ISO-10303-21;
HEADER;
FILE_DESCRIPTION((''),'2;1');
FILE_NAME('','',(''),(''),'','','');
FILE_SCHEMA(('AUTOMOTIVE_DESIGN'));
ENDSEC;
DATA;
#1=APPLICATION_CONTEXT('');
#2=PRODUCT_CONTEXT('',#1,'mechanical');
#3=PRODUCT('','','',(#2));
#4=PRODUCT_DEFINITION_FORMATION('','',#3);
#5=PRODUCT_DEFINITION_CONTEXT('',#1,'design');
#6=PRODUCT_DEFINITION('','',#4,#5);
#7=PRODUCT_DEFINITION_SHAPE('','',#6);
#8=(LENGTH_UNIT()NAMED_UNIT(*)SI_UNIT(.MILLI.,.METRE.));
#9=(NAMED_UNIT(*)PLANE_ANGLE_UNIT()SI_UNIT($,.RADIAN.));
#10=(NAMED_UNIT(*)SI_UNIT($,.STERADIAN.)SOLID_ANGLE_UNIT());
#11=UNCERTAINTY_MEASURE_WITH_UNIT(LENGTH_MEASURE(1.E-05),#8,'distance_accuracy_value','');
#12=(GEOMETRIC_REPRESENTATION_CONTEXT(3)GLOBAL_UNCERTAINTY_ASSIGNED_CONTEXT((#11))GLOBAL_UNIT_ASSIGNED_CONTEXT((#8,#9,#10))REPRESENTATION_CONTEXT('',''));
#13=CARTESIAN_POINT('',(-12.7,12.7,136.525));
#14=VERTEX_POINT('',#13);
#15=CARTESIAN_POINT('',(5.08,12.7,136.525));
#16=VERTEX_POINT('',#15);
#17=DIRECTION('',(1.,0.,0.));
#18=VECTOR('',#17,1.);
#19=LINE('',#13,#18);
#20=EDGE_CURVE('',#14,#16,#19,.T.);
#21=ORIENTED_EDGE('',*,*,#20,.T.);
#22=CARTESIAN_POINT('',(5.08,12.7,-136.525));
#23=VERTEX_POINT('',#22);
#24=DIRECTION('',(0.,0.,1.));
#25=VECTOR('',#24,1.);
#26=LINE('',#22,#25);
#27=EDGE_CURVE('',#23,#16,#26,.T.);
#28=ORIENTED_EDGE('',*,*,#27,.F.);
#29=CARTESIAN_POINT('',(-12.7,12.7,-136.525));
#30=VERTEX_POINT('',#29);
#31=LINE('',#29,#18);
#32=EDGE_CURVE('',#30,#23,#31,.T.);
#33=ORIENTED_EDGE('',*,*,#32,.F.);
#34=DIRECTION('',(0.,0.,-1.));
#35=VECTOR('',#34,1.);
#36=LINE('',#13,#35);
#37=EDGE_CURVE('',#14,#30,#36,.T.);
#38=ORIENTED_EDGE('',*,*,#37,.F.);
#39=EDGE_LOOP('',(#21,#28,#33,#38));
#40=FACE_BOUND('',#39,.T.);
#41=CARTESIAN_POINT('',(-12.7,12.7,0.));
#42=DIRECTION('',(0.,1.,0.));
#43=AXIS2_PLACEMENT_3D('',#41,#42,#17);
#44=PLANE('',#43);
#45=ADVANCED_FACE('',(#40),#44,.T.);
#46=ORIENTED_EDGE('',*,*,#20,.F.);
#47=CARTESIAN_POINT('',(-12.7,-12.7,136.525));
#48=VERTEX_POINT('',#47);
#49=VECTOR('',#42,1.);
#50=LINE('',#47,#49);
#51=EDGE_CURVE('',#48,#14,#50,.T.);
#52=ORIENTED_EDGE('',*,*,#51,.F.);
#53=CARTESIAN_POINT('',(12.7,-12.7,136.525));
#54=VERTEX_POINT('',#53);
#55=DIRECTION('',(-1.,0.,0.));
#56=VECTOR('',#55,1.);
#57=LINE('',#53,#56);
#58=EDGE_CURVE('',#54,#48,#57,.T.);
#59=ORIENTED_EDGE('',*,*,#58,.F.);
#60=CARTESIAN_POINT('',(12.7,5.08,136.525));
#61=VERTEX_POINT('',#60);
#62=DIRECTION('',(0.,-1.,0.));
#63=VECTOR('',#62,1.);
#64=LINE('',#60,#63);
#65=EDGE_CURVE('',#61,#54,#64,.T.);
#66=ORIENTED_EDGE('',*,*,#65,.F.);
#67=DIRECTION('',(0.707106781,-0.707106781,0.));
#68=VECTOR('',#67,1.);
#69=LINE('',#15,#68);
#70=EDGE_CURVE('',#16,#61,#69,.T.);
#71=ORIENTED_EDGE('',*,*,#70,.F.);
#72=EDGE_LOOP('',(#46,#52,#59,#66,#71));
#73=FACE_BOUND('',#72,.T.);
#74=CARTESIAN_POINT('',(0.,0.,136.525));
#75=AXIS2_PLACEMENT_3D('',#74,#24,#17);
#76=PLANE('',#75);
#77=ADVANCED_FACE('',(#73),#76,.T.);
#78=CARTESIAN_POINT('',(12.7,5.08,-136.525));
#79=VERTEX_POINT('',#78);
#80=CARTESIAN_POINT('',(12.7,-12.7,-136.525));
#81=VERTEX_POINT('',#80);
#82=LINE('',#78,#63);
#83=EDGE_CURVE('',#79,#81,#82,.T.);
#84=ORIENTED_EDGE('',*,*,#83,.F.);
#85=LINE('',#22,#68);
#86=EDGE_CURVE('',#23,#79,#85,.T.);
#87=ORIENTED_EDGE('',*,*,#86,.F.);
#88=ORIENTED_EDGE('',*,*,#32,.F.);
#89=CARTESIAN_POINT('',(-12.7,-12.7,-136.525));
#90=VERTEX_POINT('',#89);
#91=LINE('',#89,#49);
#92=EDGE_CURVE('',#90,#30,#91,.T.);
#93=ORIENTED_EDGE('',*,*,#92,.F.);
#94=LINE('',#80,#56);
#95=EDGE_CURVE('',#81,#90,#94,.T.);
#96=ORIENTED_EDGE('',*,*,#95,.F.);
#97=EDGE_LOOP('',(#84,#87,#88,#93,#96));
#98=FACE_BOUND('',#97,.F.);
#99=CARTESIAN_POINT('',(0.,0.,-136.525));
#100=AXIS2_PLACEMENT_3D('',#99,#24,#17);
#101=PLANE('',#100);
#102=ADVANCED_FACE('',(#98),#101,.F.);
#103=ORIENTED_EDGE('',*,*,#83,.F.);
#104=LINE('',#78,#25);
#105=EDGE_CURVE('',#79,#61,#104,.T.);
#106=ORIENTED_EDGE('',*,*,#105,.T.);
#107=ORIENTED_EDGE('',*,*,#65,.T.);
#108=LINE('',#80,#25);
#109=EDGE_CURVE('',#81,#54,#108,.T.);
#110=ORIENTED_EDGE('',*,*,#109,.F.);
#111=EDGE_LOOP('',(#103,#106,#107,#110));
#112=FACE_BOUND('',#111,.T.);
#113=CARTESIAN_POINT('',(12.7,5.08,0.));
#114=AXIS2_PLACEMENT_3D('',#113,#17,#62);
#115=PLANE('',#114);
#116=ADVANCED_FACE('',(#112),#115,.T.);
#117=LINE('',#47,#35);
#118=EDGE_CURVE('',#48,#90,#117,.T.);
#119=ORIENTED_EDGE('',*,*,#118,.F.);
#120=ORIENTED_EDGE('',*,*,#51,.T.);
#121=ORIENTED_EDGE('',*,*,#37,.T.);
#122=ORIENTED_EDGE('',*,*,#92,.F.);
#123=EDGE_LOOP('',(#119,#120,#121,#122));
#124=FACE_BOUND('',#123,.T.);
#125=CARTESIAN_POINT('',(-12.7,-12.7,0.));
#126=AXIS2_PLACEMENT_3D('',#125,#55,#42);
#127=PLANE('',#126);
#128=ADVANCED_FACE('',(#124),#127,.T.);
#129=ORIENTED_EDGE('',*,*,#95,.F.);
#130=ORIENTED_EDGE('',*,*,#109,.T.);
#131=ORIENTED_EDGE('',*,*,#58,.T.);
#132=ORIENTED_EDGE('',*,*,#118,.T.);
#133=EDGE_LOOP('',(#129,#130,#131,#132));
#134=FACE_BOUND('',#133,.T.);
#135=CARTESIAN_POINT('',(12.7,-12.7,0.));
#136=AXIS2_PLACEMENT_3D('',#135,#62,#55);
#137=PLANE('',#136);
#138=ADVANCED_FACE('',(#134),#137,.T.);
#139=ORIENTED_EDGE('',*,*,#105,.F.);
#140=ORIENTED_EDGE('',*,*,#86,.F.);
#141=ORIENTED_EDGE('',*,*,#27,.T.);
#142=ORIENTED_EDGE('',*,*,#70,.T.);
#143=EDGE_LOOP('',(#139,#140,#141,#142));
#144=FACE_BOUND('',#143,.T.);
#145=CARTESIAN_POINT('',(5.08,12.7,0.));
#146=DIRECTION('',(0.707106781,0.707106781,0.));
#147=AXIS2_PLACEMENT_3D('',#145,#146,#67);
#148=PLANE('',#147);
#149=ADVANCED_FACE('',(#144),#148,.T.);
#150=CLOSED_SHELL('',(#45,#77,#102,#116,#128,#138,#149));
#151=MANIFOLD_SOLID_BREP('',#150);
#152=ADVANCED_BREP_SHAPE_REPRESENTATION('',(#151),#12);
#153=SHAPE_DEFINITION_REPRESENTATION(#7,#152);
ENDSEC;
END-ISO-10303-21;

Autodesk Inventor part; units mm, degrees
ref_plane "YZ Plane" through (0, 0, 0) normal (1, 0, 0) x (0, 1, 0)
ref_plane "XZ Plane" through (0, 0, 0) normal (0, 1, 0) x (-1, 0, 0)
ref_plane "XY Plane" through (0, 0, 0) normal (0, 0, 1) x (1, 0, 0)
sketch "Sketch1" plane through (0, 0, 0) normal (0, 0, 1) x (1, 0, 0)
  line L0 (12.7, -12.7) -> (-12.7, -12.7)
  line L1 (-12.7, -12.7) -> (-12.7, 12.7)
  line L2 (-12.7, 12.7) -> (5.08, 12.7)
  line L3 (12.7, 5.08) -> (12.7, -12.7)
  line L4 (12.7, -12.7) -> (-12.7, 12.7) construction
  line L5 (-12.7, -12.7) -> (12.7, 12.7) construction
  line L6 (5.08, 12.7) -> (12.7, 5.08)
  point P0 (0, 0)
  dimension "d0" = 25.4
  dimension "d1" = 25.4
  dimension "d2" = 7.62
  dimension "d3" = 7.62
extrude "Extrusion1" add sketch "Sketch1" along normal mid plane 273.05
equation "\"d3\" = d2"
properties part number "Shooter Base Cleat"
